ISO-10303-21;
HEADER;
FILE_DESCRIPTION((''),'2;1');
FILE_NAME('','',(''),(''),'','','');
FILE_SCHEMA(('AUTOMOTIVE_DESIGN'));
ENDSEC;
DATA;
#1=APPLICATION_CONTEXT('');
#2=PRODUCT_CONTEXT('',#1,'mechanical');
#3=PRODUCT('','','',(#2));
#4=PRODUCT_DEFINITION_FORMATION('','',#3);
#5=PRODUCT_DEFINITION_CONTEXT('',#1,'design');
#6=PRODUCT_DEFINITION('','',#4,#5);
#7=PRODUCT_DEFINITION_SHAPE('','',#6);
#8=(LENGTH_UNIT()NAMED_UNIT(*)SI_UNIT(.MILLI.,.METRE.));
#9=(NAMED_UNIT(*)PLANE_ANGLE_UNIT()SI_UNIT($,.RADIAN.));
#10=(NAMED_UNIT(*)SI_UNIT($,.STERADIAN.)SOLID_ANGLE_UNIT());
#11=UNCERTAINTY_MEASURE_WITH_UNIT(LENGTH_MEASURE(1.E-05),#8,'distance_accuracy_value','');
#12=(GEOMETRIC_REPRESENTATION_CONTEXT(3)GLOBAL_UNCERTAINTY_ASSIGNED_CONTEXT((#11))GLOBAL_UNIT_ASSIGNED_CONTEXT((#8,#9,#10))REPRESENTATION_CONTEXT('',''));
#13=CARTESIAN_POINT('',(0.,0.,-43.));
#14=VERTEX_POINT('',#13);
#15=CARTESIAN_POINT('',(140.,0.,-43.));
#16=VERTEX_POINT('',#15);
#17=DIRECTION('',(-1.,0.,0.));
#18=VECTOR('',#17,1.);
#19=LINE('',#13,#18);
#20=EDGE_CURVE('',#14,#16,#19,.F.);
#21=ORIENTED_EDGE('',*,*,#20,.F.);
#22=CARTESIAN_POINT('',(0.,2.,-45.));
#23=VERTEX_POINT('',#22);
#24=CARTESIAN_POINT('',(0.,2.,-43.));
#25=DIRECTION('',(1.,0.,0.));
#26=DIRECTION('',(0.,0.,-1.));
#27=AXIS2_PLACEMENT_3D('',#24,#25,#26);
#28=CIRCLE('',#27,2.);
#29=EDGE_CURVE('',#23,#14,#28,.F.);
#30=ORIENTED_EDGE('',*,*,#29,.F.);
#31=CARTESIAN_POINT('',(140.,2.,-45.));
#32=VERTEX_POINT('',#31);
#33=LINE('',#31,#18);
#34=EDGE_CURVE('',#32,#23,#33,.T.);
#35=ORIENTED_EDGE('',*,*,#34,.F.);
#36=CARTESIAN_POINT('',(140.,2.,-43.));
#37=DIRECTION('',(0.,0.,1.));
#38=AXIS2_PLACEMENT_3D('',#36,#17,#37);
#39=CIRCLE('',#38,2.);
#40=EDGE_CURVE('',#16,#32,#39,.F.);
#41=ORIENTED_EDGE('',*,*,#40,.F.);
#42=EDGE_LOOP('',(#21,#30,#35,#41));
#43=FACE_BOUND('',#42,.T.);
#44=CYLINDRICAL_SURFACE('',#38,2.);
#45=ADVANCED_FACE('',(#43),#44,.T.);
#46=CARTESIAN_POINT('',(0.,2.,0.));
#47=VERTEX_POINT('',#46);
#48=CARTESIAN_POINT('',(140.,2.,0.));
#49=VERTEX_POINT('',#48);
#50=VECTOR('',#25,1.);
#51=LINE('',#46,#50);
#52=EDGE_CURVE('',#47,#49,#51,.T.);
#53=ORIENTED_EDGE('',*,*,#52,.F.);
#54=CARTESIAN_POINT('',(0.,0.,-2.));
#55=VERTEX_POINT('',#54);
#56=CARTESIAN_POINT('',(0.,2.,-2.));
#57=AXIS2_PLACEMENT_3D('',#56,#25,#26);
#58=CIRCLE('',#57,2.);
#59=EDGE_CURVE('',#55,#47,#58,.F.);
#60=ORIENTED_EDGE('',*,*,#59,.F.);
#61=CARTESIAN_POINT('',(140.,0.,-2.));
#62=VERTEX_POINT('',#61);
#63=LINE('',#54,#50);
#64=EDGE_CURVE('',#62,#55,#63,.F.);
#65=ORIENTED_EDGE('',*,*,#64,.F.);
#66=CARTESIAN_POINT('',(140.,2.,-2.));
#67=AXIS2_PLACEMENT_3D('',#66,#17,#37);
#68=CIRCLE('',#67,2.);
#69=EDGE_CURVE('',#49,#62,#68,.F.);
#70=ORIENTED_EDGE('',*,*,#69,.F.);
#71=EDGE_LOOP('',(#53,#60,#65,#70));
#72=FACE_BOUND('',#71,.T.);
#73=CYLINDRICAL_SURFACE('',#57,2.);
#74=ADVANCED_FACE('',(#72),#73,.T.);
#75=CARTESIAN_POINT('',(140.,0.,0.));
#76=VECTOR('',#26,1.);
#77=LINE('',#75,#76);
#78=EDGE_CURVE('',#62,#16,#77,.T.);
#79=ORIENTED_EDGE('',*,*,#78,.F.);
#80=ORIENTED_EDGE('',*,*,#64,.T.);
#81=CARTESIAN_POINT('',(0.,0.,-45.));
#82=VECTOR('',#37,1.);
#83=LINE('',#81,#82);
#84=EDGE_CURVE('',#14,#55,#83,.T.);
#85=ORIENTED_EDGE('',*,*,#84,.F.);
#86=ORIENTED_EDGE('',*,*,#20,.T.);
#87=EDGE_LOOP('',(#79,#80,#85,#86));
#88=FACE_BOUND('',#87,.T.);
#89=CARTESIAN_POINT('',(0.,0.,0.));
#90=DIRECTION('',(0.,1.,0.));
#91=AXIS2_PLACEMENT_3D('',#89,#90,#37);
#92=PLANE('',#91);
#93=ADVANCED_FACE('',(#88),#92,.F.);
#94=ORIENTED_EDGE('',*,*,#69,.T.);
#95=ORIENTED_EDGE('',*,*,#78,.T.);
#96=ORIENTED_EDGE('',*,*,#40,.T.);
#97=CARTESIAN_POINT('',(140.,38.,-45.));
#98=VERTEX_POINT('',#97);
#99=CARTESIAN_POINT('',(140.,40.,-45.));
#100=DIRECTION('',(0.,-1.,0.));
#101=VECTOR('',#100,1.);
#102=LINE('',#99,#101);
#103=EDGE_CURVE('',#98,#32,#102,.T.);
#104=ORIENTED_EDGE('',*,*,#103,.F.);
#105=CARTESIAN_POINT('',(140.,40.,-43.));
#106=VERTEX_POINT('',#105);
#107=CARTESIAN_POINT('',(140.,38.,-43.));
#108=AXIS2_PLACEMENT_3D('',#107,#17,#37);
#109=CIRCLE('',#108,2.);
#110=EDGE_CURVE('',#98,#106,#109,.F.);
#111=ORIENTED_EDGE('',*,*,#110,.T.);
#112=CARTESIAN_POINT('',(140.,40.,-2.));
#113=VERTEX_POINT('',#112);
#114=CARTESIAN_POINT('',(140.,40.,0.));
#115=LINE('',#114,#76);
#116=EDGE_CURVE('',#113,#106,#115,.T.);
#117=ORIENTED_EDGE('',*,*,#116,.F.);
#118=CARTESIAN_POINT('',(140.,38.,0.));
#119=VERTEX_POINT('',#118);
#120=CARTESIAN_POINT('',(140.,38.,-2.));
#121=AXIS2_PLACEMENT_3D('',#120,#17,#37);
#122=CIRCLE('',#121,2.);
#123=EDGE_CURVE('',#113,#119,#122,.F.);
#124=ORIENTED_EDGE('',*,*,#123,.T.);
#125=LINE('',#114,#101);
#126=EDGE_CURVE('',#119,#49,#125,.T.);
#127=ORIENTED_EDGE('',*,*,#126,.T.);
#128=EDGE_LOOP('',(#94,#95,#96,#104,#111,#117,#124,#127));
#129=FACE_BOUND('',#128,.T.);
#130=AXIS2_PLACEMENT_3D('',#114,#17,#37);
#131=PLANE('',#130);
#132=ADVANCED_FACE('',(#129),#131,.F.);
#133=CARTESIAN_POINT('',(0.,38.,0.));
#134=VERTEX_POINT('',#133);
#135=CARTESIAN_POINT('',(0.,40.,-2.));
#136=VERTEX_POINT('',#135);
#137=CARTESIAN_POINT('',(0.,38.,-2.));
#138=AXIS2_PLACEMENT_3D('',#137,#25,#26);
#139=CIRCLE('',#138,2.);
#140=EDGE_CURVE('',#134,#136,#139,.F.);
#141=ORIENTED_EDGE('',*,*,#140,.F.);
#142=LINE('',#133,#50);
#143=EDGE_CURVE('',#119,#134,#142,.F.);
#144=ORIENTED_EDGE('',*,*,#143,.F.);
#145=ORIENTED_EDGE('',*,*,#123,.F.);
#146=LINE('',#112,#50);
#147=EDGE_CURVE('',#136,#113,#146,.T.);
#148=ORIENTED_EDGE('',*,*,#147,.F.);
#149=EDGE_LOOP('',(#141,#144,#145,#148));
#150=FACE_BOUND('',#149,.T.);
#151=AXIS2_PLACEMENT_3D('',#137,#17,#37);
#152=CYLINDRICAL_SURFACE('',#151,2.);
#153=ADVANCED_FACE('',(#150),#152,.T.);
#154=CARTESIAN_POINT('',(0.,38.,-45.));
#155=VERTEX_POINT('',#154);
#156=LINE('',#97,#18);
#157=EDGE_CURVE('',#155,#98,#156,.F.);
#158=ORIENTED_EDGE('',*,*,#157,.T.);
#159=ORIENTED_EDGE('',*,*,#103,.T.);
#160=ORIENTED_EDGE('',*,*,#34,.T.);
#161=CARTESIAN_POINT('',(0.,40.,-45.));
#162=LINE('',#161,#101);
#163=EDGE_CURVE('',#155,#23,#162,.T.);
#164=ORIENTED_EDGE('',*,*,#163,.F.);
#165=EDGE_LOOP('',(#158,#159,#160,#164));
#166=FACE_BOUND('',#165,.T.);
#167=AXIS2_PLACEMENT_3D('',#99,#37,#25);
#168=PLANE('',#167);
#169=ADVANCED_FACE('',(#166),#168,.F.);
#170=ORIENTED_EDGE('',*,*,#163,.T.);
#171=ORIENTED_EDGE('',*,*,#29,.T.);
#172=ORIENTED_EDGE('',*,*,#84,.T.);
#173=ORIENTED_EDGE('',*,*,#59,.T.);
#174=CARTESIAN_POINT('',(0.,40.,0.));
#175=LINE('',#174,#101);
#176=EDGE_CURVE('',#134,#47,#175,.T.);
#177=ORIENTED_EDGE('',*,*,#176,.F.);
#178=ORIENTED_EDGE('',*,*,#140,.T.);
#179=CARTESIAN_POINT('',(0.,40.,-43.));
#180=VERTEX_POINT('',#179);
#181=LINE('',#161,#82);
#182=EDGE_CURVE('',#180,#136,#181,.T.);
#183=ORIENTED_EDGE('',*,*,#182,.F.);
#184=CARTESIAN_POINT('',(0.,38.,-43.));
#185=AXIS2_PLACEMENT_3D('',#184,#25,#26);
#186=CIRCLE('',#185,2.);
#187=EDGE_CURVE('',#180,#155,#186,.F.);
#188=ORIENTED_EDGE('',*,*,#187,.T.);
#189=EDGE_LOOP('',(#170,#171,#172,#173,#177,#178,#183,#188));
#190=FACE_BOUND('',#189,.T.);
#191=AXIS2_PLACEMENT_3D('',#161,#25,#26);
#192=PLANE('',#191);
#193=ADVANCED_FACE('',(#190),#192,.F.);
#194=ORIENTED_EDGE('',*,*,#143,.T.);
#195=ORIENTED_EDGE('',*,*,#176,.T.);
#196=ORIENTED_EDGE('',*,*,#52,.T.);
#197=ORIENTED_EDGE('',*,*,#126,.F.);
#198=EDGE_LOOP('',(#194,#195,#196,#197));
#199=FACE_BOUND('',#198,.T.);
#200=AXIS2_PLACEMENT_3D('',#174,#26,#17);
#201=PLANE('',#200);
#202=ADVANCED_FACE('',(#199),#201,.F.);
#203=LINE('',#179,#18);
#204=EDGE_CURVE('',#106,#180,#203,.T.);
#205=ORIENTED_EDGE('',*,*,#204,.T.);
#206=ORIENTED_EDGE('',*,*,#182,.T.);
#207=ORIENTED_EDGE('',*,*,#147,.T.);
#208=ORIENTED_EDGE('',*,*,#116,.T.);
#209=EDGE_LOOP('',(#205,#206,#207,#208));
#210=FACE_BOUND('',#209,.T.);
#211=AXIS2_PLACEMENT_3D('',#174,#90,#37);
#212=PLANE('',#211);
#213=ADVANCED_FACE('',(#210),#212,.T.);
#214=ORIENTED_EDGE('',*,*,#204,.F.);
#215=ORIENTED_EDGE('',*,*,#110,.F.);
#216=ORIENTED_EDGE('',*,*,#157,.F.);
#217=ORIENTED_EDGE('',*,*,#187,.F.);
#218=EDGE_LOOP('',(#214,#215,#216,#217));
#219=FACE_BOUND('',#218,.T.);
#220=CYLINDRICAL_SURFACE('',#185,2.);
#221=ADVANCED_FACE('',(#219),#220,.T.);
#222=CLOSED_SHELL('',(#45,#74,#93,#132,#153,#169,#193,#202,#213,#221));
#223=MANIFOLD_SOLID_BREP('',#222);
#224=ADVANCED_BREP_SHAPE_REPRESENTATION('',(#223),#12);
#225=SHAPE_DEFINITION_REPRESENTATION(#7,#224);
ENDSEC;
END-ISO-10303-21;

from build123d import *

# Parameters (mm, degrees)
ESQUISSE1_W        = 140
ESQUISSE1_H        = 45
BOSS_EXTRU_1_DEPTH = 40
CONG_1_R           = 2


with BuildPart() as part:
    # Esquisse1 → Boss.-Extru.1 (new body)
    with BuildSketch(Plane(origin=(0, 0, 0), x_dir=(1, 0, 0), z_dir=(0, 1, 0))):
        with Locations((70, 22.5)):
            Rectangle(ESQUISSE1_W, ESQUISSE1_H)
    extrude(amount=BOSS_EXTRU_1_DEPTH)

    # Congé1
    cong_1_edges = [part.edges().sort_by_distance(p)[0] for p in [
        (70, 40, -45),
        (70, 0, -45),
        (70, 0, 0),
        (70, 40, 0),
    ]]
    fillet(cong_1_edges, radius=CONG_1_R)


solid = part.part
